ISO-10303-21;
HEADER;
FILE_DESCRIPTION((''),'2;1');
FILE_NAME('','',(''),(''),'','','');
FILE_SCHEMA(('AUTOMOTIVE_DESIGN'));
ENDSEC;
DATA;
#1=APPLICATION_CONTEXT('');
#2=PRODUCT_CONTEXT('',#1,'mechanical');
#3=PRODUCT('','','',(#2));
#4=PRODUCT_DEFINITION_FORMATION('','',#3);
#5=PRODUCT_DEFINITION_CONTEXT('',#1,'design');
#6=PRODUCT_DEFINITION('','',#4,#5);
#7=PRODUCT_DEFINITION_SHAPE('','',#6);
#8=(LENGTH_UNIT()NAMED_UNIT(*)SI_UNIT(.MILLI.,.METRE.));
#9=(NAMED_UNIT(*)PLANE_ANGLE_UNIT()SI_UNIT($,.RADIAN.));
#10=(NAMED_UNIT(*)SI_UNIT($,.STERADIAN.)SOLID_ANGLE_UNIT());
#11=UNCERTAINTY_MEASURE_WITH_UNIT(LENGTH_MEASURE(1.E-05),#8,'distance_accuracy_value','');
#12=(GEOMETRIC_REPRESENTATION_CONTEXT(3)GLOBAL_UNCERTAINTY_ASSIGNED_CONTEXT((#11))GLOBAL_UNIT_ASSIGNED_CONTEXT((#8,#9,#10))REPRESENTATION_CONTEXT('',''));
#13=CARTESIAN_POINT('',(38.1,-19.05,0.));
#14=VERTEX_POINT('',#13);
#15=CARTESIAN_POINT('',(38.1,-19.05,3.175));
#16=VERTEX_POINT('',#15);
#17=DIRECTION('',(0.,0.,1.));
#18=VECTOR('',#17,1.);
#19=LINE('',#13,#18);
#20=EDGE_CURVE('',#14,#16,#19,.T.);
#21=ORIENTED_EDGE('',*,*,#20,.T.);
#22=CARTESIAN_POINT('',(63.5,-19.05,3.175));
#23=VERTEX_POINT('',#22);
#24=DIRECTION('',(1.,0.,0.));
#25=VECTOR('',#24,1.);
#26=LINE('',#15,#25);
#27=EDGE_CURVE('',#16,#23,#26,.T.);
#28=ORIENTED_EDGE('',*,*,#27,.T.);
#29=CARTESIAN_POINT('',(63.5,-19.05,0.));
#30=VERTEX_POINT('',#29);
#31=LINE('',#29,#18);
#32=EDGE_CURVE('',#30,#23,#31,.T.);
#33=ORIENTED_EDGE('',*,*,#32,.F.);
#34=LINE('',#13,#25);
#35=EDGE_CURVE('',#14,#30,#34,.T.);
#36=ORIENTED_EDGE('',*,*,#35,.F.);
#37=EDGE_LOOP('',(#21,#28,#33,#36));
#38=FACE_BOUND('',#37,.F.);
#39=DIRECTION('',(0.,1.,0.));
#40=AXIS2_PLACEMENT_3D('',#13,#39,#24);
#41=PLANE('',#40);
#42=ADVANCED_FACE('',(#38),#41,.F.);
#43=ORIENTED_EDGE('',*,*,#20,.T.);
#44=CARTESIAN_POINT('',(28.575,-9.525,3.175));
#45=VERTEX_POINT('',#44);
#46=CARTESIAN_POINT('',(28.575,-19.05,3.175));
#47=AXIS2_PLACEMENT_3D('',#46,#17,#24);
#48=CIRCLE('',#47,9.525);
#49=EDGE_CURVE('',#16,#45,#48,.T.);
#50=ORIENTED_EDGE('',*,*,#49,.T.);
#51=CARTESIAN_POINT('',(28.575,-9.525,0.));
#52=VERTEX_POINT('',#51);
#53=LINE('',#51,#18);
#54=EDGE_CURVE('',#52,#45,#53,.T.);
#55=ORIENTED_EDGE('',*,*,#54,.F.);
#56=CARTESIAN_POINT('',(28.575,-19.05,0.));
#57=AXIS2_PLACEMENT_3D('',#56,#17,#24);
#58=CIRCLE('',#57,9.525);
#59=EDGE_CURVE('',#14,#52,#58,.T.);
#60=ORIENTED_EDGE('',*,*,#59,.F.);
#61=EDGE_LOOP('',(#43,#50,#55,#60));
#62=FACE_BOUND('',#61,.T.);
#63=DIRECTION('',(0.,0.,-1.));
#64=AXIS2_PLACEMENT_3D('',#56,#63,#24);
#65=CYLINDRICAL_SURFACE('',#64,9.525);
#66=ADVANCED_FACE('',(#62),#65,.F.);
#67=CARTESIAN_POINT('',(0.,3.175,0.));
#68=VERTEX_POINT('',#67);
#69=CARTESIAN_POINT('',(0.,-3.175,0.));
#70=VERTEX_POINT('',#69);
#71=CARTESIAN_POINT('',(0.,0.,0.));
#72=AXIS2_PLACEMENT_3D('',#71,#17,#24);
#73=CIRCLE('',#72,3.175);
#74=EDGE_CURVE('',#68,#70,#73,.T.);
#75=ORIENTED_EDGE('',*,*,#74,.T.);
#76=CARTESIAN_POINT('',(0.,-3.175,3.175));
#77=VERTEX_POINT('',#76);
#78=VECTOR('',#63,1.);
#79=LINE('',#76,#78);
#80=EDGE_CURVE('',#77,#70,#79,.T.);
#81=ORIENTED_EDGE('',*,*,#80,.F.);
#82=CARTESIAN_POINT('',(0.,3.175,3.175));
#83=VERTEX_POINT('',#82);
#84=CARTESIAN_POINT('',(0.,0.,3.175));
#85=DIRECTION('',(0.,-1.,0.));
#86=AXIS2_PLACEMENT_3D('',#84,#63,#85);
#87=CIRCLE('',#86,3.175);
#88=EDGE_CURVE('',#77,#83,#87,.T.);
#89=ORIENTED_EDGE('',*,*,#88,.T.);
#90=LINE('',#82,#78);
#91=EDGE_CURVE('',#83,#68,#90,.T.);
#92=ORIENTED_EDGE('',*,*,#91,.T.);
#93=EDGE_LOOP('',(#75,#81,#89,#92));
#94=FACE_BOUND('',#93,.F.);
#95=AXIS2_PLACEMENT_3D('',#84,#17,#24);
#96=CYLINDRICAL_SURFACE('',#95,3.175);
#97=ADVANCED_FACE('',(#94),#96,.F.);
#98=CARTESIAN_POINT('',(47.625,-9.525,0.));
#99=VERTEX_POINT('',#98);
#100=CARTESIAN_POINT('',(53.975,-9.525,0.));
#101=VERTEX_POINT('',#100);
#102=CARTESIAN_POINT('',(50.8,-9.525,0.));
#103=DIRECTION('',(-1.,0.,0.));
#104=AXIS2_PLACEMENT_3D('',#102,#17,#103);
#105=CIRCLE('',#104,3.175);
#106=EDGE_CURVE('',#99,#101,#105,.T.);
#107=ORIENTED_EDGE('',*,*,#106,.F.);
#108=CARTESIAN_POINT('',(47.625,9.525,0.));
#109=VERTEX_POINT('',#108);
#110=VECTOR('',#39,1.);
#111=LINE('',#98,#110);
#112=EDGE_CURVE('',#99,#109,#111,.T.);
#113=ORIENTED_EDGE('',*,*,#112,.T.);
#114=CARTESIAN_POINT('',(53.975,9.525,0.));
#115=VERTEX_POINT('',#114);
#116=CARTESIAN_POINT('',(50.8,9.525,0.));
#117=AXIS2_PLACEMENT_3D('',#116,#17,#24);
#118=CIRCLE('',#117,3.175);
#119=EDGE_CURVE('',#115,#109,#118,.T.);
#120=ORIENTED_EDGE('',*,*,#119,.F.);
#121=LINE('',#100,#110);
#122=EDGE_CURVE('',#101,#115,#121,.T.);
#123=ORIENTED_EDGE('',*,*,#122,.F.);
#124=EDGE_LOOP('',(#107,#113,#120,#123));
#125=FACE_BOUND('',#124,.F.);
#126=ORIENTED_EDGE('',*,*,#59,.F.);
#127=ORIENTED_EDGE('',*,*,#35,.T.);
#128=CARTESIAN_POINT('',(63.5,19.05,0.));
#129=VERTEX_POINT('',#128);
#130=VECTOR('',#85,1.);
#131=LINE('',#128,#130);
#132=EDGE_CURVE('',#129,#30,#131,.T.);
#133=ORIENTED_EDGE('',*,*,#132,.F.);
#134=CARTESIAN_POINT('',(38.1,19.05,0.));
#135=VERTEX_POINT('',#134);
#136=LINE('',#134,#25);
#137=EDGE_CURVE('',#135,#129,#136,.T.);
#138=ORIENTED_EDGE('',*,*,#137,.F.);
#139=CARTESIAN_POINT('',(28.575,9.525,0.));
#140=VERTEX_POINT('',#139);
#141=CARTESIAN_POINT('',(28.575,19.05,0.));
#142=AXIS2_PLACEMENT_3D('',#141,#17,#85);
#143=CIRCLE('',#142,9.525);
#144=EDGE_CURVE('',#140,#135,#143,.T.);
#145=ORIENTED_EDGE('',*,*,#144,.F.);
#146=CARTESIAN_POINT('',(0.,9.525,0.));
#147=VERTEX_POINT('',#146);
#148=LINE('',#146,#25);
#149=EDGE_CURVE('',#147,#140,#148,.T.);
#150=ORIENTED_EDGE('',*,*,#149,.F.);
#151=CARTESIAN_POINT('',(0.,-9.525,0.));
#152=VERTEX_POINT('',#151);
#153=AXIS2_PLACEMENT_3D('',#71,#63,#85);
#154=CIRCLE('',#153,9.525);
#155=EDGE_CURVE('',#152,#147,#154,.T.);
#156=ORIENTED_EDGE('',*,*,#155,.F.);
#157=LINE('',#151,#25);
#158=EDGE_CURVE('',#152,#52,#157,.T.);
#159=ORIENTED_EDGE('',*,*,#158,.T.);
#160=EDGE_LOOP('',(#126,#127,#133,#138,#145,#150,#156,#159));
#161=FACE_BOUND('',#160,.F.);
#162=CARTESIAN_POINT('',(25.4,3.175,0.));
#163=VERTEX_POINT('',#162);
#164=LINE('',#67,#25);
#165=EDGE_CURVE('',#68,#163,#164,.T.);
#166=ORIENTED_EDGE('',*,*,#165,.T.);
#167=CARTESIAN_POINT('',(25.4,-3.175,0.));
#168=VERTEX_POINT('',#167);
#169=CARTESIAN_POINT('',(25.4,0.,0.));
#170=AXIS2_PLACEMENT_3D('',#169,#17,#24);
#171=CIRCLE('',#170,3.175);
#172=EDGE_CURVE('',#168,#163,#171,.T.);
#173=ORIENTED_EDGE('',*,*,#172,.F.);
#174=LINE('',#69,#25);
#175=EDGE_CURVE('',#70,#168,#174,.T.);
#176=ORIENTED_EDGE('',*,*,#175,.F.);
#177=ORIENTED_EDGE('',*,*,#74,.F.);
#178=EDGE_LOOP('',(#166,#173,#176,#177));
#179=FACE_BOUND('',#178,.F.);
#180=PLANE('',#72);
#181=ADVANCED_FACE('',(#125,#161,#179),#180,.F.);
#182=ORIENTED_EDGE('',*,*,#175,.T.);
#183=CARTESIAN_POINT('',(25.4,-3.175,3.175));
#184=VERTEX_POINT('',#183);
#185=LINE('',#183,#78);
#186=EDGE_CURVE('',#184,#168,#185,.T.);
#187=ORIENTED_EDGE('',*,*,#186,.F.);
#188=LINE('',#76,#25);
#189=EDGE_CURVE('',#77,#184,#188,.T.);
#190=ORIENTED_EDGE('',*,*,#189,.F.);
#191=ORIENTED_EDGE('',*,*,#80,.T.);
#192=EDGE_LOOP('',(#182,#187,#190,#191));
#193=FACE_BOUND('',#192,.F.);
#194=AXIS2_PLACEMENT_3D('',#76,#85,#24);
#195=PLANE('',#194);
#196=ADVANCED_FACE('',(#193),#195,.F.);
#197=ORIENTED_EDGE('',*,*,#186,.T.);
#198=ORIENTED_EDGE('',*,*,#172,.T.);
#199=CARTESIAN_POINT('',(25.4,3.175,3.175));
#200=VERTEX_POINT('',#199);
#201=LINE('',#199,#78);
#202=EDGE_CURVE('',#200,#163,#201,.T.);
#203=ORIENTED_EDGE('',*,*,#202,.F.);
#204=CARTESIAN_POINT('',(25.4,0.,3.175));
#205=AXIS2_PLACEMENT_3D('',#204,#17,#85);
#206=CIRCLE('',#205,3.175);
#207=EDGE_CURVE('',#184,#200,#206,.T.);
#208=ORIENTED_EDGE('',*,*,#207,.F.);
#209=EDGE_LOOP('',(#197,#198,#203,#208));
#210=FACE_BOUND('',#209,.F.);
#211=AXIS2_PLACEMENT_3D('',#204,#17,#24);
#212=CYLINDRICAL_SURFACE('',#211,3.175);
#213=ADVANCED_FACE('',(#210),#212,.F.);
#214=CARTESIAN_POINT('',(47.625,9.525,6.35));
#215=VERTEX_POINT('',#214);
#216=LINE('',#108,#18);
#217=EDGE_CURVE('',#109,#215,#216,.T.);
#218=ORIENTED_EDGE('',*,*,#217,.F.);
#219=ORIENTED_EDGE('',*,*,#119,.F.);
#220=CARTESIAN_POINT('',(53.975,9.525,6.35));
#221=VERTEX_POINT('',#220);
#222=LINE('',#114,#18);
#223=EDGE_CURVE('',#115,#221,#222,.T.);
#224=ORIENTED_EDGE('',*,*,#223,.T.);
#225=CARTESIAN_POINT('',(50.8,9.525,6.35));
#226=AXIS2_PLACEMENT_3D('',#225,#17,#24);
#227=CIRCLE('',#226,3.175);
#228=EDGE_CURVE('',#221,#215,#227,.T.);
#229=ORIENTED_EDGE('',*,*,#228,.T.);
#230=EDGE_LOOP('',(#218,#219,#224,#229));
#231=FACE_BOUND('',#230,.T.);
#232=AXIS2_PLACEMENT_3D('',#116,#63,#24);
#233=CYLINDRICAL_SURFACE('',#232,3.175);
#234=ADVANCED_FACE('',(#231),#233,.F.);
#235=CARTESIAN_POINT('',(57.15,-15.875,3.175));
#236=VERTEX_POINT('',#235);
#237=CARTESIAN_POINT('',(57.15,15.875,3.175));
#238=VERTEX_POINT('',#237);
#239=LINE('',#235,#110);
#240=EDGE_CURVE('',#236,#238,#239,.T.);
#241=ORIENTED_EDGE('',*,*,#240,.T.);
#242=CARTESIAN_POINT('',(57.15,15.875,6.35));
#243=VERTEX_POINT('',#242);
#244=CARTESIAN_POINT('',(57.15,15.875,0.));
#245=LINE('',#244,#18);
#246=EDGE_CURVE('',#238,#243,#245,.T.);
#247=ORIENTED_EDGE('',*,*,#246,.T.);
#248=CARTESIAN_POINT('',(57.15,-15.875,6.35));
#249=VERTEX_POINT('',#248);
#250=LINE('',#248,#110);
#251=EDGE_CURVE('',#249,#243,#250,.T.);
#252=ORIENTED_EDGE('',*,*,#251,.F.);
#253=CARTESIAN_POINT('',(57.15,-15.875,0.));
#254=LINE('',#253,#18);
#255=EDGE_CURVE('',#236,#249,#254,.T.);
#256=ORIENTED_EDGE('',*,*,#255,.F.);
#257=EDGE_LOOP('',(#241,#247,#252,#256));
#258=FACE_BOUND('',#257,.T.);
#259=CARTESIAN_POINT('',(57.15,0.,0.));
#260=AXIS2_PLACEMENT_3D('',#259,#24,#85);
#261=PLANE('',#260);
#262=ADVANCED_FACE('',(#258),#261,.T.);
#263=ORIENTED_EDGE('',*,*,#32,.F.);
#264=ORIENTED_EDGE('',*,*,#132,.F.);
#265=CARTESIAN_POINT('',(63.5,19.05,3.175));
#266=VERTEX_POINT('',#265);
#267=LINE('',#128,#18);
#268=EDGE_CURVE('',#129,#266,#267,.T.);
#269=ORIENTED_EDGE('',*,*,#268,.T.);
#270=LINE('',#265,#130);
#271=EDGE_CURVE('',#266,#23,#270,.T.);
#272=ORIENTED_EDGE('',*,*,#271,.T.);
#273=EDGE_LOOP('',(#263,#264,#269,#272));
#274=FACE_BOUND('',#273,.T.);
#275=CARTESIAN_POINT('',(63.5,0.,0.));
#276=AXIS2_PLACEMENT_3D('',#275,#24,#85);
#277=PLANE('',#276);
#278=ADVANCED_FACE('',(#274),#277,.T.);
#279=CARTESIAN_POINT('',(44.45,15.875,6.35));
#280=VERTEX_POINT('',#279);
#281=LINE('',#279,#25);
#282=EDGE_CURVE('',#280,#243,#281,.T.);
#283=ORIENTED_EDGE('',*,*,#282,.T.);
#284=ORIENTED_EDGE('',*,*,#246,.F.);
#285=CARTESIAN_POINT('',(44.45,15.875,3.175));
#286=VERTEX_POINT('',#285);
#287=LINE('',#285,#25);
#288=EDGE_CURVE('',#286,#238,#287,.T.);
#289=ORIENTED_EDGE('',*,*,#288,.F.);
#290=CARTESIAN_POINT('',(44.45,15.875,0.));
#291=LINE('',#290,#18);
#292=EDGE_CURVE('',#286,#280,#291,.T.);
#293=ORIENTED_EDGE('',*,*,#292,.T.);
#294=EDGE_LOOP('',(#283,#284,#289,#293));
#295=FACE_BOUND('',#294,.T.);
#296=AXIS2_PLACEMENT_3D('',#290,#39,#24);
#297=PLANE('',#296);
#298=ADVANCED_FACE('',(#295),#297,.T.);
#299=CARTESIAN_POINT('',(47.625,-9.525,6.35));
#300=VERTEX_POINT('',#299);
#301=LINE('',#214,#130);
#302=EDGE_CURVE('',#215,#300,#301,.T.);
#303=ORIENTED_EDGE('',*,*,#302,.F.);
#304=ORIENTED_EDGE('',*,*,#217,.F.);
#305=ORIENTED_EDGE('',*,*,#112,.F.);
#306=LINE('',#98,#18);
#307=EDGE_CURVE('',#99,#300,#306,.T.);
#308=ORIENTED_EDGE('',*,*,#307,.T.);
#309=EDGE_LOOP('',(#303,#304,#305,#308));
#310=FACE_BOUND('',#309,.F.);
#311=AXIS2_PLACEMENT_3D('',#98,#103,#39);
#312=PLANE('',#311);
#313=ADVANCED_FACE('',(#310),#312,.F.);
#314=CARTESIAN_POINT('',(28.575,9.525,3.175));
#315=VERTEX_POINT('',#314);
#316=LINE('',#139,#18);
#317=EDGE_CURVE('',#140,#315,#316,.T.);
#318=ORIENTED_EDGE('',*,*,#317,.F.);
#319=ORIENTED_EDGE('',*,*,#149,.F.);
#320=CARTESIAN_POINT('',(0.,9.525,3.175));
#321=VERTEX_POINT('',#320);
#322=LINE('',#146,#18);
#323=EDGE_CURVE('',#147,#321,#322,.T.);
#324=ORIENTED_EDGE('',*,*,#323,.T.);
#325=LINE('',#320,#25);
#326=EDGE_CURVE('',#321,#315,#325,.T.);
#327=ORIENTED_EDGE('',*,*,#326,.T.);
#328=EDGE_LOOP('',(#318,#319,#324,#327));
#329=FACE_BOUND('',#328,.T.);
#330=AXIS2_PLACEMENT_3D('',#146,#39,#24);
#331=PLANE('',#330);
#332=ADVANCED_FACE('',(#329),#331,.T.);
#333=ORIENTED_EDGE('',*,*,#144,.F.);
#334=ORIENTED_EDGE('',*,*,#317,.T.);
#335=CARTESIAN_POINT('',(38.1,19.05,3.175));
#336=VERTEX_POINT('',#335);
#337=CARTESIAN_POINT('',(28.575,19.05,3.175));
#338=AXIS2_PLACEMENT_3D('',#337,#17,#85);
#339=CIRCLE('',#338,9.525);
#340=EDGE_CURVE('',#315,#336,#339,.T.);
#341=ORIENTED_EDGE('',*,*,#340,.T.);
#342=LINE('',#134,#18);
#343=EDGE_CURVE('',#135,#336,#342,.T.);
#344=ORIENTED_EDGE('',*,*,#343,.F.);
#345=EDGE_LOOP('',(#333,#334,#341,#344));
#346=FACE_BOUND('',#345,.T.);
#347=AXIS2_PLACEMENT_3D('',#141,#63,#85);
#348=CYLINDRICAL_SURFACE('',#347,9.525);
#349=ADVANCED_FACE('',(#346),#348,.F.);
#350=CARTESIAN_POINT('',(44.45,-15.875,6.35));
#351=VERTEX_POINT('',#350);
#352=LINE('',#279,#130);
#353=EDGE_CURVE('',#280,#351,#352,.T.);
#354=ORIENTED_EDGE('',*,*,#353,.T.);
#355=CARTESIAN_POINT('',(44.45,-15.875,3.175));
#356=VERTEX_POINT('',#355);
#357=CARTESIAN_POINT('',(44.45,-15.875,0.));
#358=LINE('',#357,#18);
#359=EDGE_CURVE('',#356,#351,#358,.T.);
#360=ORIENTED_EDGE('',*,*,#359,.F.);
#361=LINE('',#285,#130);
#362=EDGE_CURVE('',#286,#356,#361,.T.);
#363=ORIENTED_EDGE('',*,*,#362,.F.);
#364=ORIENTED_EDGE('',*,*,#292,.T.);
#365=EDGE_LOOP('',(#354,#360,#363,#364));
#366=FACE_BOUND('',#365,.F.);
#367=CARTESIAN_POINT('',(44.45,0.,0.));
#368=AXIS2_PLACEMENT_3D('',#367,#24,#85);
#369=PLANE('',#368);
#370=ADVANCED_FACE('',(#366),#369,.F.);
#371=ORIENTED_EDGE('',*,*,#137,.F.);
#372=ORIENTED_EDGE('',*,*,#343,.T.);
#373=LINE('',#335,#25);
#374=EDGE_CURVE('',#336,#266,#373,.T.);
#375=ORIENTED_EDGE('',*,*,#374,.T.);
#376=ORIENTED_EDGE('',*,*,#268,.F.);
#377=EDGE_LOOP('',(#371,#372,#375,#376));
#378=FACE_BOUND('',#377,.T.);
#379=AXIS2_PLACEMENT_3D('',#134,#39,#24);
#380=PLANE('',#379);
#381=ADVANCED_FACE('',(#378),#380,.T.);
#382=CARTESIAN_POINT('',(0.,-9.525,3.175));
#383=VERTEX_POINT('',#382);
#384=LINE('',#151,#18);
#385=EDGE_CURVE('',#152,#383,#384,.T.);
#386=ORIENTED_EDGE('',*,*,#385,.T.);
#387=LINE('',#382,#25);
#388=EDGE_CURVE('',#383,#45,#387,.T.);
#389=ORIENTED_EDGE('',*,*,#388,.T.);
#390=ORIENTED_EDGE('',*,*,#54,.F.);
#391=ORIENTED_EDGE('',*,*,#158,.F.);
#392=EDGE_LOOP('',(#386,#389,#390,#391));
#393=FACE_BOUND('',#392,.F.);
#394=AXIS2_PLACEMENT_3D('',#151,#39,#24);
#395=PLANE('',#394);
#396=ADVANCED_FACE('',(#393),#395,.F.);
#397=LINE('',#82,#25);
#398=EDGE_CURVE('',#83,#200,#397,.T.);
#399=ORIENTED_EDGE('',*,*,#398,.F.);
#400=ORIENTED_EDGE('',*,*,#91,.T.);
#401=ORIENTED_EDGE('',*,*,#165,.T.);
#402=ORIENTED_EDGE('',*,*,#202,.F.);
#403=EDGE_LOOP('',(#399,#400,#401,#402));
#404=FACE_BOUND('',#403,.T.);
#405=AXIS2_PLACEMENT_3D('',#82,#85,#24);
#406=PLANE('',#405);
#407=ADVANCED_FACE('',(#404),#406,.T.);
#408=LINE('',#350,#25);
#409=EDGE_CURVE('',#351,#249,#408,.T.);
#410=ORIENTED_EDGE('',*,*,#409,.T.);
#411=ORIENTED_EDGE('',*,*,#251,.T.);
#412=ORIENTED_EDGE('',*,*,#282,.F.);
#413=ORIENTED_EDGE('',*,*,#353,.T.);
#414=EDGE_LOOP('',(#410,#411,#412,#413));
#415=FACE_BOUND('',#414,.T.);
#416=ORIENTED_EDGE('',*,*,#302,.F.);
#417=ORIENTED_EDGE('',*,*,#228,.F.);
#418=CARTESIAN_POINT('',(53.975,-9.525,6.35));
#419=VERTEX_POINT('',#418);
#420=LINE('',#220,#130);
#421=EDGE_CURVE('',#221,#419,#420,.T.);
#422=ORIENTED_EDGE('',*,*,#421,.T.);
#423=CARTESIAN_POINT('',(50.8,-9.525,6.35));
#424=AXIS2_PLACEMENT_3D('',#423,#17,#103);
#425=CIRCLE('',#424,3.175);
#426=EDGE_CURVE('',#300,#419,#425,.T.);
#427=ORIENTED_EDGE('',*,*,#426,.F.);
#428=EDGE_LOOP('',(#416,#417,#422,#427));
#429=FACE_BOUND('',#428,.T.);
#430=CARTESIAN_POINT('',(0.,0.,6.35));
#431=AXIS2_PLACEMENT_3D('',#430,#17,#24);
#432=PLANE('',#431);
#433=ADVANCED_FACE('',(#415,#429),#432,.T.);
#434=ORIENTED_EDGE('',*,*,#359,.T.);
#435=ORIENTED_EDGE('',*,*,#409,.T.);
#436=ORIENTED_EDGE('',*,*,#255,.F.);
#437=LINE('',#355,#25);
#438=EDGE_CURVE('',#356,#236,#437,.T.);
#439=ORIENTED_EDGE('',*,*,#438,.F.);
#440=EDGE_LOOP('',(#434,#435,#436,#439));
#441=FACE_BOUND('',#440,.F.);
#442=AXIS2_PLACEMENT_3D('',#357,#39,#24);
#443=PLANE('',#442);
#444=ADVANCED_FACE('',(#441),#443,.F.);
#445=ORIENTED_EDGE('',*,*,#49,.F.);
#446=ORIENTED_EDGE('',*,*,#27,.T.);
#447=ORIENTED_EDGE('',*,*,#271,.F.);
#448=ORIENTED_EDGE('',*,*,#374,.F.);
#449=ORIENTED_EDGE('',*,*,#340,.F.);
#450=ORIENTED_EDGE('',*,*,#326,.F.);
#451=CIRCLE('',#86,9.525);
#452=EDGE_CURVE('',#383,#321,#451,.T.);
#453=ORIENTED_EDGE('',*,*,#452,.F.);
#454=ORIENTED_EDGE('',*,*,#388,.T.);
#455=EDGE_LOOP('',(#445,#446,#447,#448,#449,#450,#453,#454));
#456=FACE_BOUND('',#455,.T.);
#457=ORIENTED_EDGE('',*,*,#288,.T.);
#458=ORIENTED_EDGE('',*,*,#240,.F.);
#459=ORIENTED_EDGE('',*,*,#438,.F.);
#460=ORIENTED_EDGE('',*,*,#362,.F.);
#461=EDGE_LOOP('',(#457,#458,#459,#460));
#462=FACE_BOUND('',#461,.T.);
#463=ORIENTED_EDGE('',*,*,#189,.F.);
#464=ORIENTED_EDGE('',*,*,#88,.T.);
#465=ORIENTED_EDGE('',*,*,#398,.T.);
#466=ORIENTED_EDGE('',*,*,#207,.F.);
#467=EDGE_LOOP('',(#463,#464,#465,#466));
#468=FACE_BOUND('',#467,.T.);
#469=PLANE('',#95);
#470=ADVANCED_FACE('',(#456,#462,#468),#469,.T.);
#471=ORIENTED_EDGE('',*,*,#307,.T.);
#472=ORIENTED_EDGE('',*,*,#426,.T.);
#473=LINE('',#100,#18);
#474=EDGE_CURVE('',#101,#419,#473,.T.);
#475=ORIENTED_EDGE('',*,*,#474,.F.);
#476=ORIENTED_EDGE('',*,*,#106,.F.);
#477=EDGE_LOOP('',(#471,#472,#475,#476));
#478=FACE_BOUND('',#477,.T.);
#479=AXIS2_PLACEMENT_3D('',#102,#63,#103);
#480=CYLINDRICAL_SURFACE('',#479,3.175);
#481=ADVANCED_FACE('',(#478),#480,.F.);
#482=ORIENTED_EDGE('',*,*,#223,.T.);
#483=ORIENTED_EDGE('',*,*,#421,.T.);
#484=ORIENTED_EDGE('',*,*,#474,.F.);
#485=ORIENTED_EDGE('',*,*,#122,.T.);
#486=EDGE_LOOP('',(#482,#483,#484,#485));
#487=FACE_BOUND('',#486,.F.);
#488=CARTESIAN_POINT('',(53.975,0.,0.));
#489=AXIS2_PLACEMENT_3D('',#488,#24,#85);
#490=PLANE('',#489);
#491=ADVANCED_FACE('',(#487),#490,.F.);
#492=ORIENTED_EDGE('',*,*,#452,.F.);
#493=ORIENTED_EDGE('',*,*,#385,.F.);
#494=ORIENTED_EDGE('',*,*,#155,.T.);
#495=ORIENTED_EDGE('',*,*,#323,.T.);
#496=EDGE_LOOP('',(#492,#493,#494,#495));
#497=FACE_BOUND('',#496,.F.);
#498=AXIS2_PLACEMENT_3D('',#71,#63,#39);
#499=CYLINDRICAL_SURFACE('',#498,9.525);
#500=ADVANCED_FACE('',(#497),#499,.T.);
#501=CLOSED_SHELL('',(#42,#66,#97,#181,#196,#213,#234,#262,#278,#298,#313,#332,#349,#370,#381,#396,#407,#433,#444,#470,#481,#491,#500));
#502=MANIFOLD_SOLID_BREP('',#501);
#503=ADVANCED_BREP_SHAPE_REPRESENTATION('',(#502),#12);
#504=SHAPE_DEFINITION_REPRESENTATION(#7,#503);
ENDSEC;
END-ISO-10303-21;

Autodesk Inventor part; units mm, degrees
ref_plane "YZ Plane" through (0, 0, 0) normal (1, 0, 0) x (0, 1, 0)
ref_plane "XZ Plane" through (0, 0, 0) normal (0, 1, 0) x (-1, 0, 0)
ref_plane "XY Plane" through (0, 0, 0) normal (0, 0, 1) x (1, 0, 0)
sketch "Sketch1" plane through (0, 0, 0) normal (0, 0, 1) x (1, 0, 0)
  line L0 (0, -3.175) -> (25.4, -3.175)
  arc A0 (25.4, -3.175) -> (25.4, 3.175) centre (25.4, 0) ccw
  line L1 (25.4, 3.175) -> (0, 3.175)
  arc A1 (0, 3.175) -> (0, -3.175) centre (0, 0) ccw
  arc A2 (0, 9.525) -> (0, -9.525) centre (0, 0) ccw
  line L2 (0, 9.525) -> (28.575, 9.525)
  line L3 (0, -9.525) -> (28.575, -9.525)
  arc A3 (28.575, 9.525) -> (38.1, 19.05) centre (28.575, 19.05) ccw
  arc A4 (38.1, -19.05) -> (28.575, -9.525) centre (28.575, -19.05) ccw
  line L4 (38.1, -19.05) -> (63.5, -19.05)
  line L5 (38.1, 19.05) -> (63.5, 19.05)
  line L6 (44.45, 15.875) -> (57.15, 15.875)
  line L7 (53.975, 9.525) -> (53.975, -9.525)
  line L8 (47.625, -9.525) -> (47.625, 9.525)
  arc A5 (53.975, 9.525) -> (47.625, 9.525) centre (50.8, 9.525) ccw
  line L9 (44.45, 15.875) -> (44.45, -15.875)
  line L10 (44.45, -15.875) -> (57.15, -15.875)
  line L11 (57.15, 15.875) -> (57.15, -15.875)
  arc A6 (47.625, -9.525) -> (53.975, -9.525) centre (50.8, -9.525) ccw
  line L12 (-24.13, 0) -> (78.105, 0) projected
  line L13 (0, -26.67) -> (0, 26.67) projected
  line L14 (63.5, 19.05) -> (63.5, -19.05)
  point P0 (0, 0)
  point P1 (50.8, 12.7)
  point P2 (50.8, 15.875)
  point P3 (50.8, 19.05)
  point P4 (50.8, -19.05)
  point P5 (63.5, 0)
  point P6 (47.625, 0)
  point P7 (53.975, 0)
  point P8 (44.45, 0)
  point P9 (57.15, 0)
  dimension "d25" = 63.5
  dimension "d26" = 25.4
  dimension "d27" = 6.35
  dimension "d28" = 12.7
  dimension "d29" = 3.175
  dimension "d30" = 9.525
  dimension "d31" = 3.175
  dimension "d32" = 25.4
  dimension "d33" = 38.1
  dimension "d34" = 3.175
  dimension "d35" = 19.05
  dimension "d36" = 31.75
extrude "Extrusion1" add sketch "Sketch1" along normal blind 3.175 contours L13 L12 A0 L0 | L13 A2 L12 A1 | L0 A0 L12 L9 L10 L11 L14 L4 A4 L3 L13 | A1 L12 L13 | L12 A2 L13 A1 | A1 L13 L12 | L13 L1 A0 L12 | A0 L1 L13 L2 A3 L5 L14 L12 L11 L6 L9
extrude "Extrusion2" add sketch "Sketch1" along normal blind 6.35 contours L12 L8 A6 L7 L11 L10 L9 | L9 L6 L11 L12 L7 A5 L8
sketch "Sketch2" plane through (0, 0, 3.175) normal (0, 0, 1) x (1, 0, 0)
  circle A0 centre (0, 0) radius 3.175
  line L0 (0, 3.175) -> (25.4, 3.175)
  circle A1 centre (25.4, 0) radius 3.175
  line L1 (0, -3.175) -> (25.4, -3.175)
  line L2 (-24.13, 0) -> (78.105, 0) projected
  dimension "d37" = 6.35
  dimension "d38" = 25.4
extrude "Extrusion3" cut sketch "Sketch2" against normal through all
properties part number "Ch3 Part 1"
